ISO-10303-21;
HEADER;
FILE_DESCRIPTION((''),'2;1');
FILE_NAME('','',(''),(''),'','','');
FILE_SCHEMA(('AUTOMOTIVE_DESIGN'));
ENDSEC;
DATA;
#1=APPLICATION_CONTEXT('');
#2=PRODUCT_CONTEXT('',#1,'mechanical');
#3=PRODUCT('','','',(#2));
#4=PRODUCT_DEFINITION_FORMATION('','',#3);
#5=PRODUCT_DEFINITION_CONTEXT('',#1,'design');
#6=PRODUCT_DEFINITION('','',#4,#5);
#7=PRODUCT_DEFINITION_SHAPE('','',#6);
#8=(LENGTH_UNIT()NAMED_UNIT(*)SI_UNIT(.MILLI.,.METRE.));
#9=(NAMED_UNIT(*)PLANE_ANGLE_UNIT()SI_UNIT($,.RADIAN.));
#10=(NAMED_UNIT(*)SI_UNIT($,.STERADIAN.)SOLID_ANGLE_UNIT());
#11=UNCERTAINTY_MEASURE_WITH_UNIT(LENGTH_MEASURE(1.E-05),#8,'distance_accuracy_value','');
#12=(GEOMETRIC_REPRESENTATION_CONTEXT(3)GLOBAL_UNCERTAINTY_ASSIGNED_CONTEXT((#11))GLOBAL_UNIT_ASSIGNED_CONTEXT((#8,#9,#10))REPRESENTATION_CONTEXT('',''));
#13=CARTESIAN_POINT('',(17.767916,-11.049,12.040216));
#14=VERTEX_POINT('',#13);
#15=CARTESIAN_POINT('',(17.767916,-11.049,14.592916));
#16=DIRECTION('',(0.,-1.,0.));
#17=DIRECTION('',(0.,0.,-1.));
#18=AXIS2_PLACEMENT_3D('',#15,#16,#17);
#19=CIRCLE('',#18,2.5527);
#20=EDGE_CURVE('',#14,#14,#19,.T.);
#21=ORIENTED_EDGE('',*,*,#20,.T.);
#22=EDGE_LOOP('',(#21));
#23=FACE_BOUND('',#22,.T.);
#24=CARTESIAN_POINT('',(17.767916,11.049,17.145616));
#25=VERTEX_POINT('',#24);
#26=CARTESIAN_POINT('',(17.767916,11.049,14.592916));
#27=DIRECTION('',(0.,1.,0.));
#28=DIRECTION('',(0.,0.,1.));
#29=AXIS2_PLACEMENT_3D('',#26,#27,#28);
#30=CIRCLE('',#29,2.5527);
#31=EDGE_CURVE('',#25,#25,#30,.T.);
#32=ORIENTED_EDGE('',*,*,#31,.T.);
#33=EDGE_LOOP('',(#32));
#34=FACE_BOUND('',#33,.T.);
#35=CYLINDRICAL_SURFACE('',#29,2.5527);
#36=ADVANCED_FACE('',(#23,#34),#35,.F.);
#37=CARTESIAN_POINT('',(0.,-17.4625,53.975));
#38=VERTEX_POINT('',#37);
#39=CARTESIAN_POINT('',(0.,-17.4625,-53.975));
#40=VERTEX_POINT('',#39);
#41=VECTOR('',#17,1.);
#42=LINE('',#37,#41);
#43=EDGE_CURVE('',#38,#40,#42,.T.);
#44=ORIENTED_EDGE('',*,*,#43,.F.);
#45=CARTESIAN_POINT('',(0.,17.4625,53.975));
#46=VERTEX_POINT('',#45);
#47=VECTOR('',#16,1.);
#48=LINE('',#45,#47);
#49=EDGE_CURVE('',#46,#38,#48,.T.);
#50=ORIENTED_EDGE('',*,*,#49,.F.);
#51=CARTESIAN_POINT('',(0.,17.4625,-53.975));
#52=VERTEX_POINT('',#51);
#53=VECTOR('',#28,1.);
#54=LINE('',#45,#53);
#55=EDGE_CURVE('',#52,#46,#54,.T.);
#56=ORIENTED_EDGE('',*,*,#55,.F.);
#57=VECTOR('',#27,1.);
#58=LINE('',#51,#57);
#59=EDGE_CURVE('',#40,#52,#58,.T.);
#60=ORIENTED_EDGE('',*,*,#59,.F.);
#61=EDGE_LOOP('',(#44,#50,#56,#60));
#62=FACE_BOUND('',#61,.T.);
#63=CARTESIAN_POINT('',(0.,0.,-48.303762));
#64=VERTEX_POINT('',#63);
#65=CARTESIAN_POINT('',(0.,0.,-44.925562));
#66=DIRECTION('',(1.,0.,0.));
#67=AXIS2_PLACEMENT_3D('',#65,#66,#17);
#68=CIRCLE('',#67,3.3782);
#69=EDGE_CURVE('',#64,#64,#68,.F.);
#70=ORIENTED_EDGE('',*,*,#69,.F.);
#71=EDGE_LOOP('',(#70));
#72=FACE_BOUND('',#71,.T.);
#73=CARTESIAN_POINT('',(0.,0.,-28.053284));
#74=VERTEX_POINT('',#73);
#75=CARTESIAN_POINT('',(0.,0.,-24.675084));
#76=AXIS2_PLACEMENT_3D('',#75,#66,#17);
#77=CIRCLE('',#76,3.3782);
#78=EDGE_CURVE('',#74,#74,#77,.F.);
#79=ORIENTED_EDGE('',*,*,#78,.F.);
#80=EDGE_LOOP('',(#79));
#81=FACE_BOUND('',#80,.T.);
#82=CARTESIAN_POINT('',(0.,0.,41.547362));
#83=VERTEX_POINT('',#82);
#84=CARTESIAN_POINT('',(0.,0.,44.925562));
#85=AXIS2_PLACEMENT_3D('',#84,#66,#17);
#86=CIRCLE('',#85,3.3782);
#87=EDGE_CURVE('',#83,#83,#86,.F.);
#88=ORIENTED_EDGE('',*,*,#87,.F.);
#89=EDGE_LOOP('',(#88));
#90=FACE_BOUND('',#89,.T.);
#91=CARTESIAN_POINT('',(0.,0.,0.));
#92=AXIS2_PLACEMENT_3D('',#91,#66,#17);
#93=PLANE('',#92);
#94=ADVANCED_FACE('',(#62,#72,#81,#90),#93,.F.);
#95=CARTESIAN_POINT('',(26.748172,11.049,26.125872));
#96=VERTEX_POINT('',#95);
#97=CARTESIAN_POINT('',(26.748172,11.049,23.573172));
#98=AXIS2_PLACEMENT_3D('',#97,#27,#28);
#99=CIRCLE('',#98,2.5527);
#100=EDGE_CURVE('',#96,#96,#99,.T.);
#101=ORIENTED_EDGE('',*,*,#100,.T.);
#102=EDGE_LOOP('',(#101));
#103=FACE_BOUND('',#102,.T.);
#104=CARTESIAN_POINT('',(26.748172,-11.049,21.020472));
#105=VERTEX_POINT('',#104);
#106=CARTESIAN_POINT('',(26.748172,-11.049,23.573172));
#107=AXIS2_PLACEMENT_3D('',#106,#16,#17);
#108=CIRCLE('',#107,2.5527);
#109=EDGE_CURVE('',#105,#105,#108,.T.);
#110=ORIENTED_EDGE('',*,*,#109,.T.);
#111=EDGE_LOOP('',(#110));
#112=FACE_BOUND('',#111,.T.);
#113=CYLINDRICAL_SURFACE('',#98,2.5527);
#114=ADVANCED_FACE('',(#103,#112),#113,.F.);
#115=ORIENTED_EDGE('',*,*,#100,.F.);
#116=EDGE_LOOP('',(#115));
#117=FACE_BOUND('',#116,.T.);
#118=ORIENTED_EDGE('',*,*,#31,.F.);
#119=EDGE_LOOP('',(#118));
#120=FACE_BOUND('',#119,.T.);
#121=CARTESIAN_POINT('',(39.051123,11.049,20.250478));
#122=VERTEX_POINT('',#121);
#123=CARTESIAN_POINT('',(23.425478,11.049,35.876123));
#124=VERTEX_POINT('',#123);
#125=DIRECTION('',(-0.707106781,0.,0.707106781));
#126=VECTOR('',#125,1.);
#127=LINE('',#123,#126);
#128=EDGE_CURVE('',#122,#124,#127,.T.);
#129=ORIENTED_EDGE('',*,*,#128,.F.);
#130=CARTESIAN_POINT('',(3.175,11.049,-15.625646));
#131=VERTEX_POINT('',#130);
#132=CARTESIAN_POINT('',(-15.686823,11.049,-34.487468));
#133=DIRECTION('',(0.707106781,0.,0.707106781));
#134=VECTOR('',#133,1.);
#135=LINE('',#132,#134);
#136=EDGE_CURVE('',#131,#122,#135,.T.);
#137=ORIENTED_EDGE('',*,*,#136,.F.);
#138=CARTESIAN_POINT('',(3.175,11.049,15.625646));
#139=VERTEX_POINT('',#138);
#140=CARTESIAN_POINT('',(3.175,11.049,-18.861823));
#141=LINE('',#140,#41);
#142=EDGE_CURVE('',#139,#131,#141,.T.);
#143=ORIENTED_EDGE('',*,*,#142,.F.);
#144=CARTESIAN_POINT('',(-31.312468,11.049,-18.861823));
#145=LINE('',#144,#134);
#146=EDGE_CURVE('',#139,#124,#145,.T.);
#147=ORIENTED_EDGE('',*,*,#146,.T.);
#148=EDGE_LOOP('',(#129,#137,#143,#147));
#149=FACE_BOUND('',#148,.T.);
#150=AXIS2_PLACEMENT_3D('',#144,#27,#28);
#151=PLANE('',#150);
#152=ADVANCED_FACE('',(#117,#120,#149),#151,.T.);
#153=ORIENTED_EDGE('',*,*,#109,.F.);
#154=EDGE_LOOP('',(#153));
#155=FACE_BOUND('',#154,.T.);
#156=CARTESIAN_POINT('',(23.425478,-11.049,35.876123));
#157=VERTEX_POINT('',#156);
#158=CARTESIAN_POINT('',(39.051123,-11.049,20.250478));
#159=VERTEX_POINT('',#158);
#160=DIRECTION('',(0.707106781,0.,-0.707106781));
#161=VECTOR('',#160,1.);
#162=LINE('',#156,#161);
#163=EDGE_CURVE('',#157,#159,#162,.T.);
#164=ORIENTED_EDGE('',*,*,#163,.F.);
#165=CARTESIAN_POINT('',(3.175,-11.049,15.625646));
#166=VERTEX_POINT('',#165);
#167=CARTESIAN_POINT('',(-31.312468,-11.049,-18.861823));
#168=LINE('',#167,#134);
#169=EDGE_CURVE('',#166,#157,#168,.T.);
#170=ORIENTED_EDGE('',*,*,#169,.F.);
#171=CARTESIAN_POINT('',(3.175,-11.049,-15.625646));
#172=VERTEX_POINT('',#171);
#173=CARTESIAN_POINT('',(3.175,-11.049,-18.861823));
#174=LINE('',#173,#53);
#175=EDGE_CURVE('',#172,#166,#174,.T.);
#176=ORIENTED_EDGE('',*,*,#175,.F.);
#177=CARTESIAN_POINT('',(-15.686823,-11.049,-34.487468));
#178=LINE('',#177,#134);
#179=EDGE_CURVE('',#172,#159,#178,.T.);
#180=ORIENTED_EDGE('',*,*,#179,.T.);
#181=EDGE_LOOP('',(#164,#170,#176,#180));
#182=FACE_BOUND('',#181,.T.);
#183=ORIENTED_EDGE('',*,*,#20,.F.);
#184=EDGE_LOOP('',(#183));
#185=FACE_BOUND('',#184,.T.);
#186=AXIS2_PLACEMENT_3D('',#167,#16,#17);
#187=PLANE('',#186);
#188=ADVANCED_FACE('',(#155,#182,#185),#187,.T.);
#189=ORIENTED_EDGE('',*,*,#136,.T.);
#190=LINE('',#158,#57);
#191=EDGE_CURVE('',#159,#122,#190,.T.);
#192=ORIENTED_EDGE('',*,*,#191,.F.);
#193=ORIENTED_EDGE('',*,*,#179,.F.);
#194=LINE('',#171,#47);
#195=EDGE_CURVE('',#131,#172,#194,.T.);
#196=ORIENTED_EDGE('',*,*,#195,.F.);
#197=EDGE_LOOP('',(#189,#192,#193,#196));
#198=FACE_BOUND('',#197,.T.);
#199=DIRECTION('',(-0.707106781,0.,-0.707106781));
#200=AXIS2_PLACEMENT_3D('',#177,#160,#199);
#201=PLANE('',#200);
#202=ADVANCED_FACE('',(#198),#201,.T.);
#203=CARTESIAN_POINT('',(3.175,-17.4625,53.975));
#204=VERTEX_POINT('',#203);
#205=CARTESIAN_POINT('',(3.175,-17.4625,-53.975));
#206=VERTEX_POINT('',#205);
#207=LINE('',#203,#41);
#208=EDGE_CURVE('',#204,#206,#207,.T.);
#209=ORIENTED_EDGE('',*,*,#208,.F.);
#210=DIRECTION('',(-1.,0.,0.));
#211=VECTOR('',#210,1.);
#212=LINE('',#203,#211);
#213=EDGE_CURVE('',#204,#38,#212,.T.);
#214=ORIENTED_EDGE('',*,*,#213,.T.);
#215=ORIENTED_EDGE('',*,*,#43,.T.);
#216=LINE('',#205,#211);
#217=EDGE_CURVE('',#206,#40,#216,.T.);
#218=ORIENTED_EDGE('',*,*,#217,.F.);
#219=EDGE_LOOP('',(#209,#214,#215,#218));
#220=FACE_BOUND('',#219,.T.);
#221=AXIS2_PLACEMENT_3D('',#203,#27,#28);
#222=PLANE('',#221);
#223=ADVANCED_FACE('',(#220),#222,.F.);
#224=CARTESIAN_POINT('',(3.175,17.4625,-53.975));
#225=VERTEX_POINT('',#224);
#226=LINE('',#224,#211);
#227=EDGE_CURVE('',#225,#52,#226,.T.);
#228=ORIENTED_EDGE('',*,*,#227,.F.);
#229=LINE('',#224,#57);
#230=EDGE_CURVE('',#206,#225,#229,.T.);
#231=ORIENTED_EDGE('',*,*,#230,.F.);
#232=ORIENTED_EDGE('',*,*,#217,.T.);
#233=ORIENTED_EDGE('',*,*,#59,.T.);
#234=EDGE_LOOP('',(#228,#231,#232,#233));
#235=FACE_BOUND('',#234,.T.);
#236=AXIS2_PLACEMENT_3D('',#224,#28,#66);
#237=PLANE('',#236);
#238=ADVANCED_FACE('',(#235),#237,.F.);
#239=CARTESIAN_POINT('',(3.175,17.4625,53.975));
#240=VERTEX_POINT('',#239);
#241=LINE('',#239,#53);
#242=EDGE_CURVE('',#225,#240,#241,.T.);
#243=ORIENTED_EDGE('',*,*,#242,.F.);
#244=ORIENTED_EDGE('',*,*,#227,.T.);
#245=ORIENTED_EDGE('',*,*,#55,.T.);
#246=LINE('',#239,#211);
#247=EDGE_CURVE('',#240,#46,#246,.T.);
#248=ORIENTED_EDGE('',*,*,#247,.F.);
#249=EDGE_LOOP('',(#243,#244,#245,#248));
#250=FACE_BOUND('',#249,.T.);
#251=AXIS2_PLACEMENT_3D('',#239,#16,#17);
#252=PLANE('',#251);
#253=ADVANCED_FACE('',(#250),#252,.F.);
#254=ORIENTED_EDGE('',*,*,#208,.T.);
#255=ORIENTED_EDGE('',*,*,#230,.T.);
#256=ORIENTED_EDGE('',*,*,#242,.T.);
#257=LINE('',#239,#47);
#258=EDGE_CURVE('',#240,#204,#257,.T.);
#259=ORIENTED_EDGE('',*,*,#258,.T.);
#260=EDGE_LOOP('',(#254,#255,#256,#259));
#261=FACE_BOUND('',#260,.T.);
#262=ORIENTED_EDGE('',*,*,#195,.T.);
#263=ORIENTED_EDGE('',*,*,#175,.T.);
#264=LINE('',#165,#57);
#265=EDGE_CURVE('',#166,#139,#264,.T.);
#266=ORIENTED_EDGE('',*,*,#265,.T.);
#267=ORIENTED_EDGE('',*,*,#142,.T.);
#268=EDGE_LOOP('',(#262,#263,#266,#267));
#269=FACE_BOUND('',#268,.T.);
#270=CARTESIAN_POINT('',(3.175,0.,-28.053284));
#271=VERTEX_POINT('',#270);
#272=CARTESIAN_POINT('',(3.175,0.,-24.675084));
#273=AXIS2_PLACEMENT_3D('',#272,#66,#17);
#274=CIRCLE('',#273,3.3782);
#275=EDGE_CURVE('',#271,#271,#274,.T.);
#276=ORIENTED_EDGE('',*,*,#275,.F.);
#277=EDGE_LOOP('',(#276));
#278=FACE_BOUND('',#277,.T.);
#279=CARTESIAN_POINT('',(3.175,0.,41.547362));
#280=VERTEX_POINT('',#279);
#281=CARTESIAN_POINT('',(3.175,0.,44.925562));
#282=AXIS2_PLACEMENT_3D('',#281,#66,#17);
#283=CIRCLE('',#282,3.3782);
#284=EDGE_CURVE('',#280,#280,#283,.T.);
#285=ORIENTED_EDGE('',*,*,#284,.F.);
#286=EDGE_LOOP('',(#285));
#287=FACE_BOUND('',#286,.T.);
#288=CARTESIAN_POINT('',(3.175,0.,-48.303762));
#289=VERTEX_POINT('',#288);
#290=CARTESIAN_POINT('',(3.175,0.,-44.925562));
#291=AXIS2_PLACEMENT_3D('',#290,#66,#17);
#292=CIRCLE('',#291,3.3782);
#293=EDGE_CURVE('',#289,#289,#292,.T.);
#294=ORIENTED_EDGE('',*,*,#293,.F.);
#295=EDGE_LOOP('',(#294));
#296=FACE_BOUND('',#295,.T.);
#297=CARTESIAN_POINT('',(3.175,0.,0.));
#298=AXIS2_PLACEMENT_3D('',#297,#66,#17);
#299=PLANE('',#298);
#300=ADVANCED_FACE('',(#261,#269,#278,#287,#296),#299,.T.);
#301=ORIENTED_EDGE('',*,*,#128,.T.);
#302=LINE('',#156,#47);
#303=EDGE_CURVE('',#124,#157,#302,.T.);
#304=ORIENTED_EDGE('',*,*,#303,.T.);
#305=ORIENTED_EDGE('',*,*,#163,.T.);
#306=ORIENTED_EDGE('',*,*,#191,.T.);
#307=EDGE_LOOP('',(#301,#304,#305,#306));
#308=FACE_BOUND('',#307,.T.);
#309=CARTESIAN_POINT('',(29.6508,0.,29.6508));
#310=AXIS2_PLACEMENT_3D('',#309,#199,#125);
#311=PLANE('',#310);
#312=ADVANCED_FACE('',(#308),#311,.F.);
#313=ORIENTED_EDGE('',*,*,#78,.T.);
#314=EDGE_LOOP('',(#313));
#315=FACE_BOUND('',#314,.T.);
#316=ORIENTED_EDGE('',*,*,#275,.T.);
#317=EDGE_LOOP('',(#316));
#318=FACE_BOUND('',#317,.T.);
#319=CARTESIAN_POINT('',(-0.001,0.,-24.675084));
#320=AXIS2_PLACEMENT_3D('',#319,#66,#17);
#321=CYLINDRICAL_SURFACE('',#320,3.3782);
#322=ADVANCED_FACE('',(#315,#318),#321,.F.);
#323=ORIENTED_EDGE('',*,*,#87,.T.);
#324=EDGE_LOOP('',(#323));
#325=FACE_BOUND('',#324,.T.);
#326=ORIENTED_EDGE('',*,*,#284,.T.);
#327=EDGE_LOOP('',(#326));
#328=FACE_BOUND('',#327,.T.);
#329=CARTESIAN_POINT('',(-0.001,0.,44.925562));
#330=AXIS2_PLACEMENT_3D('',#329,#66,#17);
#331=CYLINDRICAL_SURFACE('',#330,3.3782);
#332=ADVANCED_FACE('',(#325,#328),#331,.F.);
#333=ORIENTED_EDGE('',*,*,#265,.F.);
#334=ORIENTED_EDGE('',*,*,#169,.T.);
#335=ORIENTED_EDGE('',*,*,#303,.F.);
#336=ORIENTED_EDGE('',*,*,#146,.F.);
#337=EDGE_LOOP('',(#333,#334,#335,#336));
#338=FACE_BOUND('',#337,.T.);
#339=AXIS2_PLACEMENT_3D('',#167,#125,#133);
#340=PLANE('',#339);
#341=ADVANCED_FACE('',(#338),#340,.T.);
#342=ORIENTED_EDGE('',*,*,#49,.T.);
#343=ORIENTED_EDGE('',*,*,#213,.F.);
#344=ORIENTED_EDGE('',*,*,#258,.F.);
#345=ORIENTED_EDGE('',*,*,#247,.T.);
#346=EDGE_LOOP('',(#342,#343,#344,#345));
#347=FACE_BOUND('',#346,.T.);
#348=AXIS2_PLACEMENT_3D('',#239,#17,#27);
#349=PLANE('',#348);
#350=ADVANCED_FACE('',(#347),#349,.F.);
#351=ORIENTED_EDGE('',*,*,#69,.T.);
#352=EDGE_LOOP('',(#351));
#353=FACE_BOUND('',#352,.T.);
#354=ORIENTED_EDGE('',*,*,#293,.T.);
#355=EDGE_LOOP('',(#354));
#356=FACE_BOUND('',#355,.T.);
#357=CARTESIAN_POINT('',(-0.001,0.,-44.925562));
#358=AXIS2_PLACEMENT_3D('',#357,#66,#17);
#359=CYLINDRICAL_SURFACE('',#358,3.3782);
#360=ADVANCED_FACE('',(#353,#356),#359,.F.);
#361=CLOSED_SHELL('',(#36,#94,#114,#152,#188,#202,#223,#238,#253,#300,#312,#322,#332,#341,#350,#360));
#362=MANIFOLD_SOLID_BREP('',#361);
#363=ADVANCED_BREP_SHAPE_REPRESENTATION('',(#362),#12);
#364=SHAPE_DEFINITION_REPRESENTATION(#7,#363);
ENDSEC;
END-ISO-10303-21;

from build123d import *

# Parameters (mm, degrees)
SKETCH1_W               = 107.95
SKETCH1_H               = 34.925
BOSS_EXTRUDE1_DEPTH     = 3.175
BOSS_EXTRUDE2_REACH     = 92.429
SKETCH4_W               = 22.098
SKETCH4_H               = 22.098
CUT_EXTRUDE1_REACH      = 69.122
SKETCH5_R               = 3.3782
F_1_4_20_TAPPED_HOLE1_D = 5.1054


with BuildPart() as part:
    # Sketch1 → Boss-Extrude1 (new body)
    with BuildSketch(Plane(origin=(0, 0, 0), x_dir=(0, 0, -1), z_dir=(1, 0, 0))):
        Rectangle(SKETCH1_W, SKETCH1_H)
    extrude(amount=BOSS_EXTRUDE1_DEPTH)

    # Boss-Extrude2: up to this plane
    boss_extrude2_end = Plane(origin=(3.175, 0, 0), z_dir=(1, 0, 0))
    # Sketch4 → Boss-Extrude2 (add, up to the surface)
    with BuildSketch(Plane(origin=(29.650800378, 0, 29.650800378), x_dir=(0.707106781186546, 0, -0.707106781186549), z_dir=(0.707106781186549, 0, 0.707106781186546)), mode=Mode.PRIVATE) as boss_extrude2_sk1:
        with Locations((2.24506403, 0)):
            Rectangle(SKETCH4_W, SKETCH4_H)
    boss_extrude2_tool1 = split(extrude(boss_extrude2_sk1.sketch, amount=-BOSS_EXTRUDE2_REACH, mode=Mode.PRIVATE), bisect_by=boss_extrude2_end, keep=Keep.BOTH, mode=Mode.PRIVATE)
    add(boss_extrude2_tool1.solids().sort_by_distance((31.2383, 0, 28.0633))[0])

    # Sketch5 → Cut-Extrude1 (cut, up to next)
    with BuildSketch(Plane(origin=(3.175, 0, 0), x_dir=(0, 0, -1), z_dir=(1, 0, 0)), mode=Mode.PRIVATE) as cut_extrude1_sk1:
        with Locations((-44.925561602, 0)):
            Circle(SKETCH5_R)
    cut_extrude1_tool1 = extrude(cut_extrude1_sk1.sketch, amount=-CUT_EXTRUDE1_REACH, mode=Mode.PRIVATE) & part.part
    # Sketch5 → Cut-Extrude1 (cut, up to next)
    with BuildSketch(Plane(origin=(3.175, 0, 0), x_dir=(0, 0, -1), z_dir=(1, 0, 0)), mode=Mode.PRIVATE) as cut_extrude1_sk2:
        with Locations((24.675084049, 0)):
            Circle(SKETCH5_R)
    cut_extrude1_tool2 = extrude(cut_extrude1_sk2.sketch, amount=-CUT_EXTRUDE1_REACH, mode=Mode.PRIVATE) & part.part
    # Sketch5 → Cut-Extrude1 (cut, up to next)
    with BuildSketch(Plane(origin=(3.175, 0, 0), x_dir=(0, 0, -1), z_dir=(1, 0, 0)), mode=Mode.PRIVATE) as cut_extrude1_sk3:
        with Locations((44.925561602, 0)):
            Circle(SKETCH5_R)
    cut_extrude1_tool3 = extrude(cut_extrude1_sk3.sketch, amount=-CUT_EXTRUDE1_REACH, mode=Mode.PRIVATE) & part.part
    add(cut_extrude1_tool1.solids().sort_by_distance((3.175, 0, 44.925562))[0], mode=Mode.SUBTRACT)
    add(cut_extrude1_tool2.solids().sort_by_distance((3.175, 0, -24.675084))[0], mode=Mode.SUBTRACT)
    add(cut_extrude1_tool3.solids().sort_by_distance((3.175, 0, -44.925562))[0], mode=Mode.SUBTRACT)

    # 1/4-20 Tapped Hole1 (through all)
    with Locations(Plane(origin=(0, 11.049, 0), x_dir=(1, 0, 0), z_dir=(0, 1, 0))):
        with Locations((17.767916197, -14.592916197), (26.748172318, -23.573172318)):
            Hole(F_1_4_20_TAPPED_HOLE1_D / 2)


solid = part.part
